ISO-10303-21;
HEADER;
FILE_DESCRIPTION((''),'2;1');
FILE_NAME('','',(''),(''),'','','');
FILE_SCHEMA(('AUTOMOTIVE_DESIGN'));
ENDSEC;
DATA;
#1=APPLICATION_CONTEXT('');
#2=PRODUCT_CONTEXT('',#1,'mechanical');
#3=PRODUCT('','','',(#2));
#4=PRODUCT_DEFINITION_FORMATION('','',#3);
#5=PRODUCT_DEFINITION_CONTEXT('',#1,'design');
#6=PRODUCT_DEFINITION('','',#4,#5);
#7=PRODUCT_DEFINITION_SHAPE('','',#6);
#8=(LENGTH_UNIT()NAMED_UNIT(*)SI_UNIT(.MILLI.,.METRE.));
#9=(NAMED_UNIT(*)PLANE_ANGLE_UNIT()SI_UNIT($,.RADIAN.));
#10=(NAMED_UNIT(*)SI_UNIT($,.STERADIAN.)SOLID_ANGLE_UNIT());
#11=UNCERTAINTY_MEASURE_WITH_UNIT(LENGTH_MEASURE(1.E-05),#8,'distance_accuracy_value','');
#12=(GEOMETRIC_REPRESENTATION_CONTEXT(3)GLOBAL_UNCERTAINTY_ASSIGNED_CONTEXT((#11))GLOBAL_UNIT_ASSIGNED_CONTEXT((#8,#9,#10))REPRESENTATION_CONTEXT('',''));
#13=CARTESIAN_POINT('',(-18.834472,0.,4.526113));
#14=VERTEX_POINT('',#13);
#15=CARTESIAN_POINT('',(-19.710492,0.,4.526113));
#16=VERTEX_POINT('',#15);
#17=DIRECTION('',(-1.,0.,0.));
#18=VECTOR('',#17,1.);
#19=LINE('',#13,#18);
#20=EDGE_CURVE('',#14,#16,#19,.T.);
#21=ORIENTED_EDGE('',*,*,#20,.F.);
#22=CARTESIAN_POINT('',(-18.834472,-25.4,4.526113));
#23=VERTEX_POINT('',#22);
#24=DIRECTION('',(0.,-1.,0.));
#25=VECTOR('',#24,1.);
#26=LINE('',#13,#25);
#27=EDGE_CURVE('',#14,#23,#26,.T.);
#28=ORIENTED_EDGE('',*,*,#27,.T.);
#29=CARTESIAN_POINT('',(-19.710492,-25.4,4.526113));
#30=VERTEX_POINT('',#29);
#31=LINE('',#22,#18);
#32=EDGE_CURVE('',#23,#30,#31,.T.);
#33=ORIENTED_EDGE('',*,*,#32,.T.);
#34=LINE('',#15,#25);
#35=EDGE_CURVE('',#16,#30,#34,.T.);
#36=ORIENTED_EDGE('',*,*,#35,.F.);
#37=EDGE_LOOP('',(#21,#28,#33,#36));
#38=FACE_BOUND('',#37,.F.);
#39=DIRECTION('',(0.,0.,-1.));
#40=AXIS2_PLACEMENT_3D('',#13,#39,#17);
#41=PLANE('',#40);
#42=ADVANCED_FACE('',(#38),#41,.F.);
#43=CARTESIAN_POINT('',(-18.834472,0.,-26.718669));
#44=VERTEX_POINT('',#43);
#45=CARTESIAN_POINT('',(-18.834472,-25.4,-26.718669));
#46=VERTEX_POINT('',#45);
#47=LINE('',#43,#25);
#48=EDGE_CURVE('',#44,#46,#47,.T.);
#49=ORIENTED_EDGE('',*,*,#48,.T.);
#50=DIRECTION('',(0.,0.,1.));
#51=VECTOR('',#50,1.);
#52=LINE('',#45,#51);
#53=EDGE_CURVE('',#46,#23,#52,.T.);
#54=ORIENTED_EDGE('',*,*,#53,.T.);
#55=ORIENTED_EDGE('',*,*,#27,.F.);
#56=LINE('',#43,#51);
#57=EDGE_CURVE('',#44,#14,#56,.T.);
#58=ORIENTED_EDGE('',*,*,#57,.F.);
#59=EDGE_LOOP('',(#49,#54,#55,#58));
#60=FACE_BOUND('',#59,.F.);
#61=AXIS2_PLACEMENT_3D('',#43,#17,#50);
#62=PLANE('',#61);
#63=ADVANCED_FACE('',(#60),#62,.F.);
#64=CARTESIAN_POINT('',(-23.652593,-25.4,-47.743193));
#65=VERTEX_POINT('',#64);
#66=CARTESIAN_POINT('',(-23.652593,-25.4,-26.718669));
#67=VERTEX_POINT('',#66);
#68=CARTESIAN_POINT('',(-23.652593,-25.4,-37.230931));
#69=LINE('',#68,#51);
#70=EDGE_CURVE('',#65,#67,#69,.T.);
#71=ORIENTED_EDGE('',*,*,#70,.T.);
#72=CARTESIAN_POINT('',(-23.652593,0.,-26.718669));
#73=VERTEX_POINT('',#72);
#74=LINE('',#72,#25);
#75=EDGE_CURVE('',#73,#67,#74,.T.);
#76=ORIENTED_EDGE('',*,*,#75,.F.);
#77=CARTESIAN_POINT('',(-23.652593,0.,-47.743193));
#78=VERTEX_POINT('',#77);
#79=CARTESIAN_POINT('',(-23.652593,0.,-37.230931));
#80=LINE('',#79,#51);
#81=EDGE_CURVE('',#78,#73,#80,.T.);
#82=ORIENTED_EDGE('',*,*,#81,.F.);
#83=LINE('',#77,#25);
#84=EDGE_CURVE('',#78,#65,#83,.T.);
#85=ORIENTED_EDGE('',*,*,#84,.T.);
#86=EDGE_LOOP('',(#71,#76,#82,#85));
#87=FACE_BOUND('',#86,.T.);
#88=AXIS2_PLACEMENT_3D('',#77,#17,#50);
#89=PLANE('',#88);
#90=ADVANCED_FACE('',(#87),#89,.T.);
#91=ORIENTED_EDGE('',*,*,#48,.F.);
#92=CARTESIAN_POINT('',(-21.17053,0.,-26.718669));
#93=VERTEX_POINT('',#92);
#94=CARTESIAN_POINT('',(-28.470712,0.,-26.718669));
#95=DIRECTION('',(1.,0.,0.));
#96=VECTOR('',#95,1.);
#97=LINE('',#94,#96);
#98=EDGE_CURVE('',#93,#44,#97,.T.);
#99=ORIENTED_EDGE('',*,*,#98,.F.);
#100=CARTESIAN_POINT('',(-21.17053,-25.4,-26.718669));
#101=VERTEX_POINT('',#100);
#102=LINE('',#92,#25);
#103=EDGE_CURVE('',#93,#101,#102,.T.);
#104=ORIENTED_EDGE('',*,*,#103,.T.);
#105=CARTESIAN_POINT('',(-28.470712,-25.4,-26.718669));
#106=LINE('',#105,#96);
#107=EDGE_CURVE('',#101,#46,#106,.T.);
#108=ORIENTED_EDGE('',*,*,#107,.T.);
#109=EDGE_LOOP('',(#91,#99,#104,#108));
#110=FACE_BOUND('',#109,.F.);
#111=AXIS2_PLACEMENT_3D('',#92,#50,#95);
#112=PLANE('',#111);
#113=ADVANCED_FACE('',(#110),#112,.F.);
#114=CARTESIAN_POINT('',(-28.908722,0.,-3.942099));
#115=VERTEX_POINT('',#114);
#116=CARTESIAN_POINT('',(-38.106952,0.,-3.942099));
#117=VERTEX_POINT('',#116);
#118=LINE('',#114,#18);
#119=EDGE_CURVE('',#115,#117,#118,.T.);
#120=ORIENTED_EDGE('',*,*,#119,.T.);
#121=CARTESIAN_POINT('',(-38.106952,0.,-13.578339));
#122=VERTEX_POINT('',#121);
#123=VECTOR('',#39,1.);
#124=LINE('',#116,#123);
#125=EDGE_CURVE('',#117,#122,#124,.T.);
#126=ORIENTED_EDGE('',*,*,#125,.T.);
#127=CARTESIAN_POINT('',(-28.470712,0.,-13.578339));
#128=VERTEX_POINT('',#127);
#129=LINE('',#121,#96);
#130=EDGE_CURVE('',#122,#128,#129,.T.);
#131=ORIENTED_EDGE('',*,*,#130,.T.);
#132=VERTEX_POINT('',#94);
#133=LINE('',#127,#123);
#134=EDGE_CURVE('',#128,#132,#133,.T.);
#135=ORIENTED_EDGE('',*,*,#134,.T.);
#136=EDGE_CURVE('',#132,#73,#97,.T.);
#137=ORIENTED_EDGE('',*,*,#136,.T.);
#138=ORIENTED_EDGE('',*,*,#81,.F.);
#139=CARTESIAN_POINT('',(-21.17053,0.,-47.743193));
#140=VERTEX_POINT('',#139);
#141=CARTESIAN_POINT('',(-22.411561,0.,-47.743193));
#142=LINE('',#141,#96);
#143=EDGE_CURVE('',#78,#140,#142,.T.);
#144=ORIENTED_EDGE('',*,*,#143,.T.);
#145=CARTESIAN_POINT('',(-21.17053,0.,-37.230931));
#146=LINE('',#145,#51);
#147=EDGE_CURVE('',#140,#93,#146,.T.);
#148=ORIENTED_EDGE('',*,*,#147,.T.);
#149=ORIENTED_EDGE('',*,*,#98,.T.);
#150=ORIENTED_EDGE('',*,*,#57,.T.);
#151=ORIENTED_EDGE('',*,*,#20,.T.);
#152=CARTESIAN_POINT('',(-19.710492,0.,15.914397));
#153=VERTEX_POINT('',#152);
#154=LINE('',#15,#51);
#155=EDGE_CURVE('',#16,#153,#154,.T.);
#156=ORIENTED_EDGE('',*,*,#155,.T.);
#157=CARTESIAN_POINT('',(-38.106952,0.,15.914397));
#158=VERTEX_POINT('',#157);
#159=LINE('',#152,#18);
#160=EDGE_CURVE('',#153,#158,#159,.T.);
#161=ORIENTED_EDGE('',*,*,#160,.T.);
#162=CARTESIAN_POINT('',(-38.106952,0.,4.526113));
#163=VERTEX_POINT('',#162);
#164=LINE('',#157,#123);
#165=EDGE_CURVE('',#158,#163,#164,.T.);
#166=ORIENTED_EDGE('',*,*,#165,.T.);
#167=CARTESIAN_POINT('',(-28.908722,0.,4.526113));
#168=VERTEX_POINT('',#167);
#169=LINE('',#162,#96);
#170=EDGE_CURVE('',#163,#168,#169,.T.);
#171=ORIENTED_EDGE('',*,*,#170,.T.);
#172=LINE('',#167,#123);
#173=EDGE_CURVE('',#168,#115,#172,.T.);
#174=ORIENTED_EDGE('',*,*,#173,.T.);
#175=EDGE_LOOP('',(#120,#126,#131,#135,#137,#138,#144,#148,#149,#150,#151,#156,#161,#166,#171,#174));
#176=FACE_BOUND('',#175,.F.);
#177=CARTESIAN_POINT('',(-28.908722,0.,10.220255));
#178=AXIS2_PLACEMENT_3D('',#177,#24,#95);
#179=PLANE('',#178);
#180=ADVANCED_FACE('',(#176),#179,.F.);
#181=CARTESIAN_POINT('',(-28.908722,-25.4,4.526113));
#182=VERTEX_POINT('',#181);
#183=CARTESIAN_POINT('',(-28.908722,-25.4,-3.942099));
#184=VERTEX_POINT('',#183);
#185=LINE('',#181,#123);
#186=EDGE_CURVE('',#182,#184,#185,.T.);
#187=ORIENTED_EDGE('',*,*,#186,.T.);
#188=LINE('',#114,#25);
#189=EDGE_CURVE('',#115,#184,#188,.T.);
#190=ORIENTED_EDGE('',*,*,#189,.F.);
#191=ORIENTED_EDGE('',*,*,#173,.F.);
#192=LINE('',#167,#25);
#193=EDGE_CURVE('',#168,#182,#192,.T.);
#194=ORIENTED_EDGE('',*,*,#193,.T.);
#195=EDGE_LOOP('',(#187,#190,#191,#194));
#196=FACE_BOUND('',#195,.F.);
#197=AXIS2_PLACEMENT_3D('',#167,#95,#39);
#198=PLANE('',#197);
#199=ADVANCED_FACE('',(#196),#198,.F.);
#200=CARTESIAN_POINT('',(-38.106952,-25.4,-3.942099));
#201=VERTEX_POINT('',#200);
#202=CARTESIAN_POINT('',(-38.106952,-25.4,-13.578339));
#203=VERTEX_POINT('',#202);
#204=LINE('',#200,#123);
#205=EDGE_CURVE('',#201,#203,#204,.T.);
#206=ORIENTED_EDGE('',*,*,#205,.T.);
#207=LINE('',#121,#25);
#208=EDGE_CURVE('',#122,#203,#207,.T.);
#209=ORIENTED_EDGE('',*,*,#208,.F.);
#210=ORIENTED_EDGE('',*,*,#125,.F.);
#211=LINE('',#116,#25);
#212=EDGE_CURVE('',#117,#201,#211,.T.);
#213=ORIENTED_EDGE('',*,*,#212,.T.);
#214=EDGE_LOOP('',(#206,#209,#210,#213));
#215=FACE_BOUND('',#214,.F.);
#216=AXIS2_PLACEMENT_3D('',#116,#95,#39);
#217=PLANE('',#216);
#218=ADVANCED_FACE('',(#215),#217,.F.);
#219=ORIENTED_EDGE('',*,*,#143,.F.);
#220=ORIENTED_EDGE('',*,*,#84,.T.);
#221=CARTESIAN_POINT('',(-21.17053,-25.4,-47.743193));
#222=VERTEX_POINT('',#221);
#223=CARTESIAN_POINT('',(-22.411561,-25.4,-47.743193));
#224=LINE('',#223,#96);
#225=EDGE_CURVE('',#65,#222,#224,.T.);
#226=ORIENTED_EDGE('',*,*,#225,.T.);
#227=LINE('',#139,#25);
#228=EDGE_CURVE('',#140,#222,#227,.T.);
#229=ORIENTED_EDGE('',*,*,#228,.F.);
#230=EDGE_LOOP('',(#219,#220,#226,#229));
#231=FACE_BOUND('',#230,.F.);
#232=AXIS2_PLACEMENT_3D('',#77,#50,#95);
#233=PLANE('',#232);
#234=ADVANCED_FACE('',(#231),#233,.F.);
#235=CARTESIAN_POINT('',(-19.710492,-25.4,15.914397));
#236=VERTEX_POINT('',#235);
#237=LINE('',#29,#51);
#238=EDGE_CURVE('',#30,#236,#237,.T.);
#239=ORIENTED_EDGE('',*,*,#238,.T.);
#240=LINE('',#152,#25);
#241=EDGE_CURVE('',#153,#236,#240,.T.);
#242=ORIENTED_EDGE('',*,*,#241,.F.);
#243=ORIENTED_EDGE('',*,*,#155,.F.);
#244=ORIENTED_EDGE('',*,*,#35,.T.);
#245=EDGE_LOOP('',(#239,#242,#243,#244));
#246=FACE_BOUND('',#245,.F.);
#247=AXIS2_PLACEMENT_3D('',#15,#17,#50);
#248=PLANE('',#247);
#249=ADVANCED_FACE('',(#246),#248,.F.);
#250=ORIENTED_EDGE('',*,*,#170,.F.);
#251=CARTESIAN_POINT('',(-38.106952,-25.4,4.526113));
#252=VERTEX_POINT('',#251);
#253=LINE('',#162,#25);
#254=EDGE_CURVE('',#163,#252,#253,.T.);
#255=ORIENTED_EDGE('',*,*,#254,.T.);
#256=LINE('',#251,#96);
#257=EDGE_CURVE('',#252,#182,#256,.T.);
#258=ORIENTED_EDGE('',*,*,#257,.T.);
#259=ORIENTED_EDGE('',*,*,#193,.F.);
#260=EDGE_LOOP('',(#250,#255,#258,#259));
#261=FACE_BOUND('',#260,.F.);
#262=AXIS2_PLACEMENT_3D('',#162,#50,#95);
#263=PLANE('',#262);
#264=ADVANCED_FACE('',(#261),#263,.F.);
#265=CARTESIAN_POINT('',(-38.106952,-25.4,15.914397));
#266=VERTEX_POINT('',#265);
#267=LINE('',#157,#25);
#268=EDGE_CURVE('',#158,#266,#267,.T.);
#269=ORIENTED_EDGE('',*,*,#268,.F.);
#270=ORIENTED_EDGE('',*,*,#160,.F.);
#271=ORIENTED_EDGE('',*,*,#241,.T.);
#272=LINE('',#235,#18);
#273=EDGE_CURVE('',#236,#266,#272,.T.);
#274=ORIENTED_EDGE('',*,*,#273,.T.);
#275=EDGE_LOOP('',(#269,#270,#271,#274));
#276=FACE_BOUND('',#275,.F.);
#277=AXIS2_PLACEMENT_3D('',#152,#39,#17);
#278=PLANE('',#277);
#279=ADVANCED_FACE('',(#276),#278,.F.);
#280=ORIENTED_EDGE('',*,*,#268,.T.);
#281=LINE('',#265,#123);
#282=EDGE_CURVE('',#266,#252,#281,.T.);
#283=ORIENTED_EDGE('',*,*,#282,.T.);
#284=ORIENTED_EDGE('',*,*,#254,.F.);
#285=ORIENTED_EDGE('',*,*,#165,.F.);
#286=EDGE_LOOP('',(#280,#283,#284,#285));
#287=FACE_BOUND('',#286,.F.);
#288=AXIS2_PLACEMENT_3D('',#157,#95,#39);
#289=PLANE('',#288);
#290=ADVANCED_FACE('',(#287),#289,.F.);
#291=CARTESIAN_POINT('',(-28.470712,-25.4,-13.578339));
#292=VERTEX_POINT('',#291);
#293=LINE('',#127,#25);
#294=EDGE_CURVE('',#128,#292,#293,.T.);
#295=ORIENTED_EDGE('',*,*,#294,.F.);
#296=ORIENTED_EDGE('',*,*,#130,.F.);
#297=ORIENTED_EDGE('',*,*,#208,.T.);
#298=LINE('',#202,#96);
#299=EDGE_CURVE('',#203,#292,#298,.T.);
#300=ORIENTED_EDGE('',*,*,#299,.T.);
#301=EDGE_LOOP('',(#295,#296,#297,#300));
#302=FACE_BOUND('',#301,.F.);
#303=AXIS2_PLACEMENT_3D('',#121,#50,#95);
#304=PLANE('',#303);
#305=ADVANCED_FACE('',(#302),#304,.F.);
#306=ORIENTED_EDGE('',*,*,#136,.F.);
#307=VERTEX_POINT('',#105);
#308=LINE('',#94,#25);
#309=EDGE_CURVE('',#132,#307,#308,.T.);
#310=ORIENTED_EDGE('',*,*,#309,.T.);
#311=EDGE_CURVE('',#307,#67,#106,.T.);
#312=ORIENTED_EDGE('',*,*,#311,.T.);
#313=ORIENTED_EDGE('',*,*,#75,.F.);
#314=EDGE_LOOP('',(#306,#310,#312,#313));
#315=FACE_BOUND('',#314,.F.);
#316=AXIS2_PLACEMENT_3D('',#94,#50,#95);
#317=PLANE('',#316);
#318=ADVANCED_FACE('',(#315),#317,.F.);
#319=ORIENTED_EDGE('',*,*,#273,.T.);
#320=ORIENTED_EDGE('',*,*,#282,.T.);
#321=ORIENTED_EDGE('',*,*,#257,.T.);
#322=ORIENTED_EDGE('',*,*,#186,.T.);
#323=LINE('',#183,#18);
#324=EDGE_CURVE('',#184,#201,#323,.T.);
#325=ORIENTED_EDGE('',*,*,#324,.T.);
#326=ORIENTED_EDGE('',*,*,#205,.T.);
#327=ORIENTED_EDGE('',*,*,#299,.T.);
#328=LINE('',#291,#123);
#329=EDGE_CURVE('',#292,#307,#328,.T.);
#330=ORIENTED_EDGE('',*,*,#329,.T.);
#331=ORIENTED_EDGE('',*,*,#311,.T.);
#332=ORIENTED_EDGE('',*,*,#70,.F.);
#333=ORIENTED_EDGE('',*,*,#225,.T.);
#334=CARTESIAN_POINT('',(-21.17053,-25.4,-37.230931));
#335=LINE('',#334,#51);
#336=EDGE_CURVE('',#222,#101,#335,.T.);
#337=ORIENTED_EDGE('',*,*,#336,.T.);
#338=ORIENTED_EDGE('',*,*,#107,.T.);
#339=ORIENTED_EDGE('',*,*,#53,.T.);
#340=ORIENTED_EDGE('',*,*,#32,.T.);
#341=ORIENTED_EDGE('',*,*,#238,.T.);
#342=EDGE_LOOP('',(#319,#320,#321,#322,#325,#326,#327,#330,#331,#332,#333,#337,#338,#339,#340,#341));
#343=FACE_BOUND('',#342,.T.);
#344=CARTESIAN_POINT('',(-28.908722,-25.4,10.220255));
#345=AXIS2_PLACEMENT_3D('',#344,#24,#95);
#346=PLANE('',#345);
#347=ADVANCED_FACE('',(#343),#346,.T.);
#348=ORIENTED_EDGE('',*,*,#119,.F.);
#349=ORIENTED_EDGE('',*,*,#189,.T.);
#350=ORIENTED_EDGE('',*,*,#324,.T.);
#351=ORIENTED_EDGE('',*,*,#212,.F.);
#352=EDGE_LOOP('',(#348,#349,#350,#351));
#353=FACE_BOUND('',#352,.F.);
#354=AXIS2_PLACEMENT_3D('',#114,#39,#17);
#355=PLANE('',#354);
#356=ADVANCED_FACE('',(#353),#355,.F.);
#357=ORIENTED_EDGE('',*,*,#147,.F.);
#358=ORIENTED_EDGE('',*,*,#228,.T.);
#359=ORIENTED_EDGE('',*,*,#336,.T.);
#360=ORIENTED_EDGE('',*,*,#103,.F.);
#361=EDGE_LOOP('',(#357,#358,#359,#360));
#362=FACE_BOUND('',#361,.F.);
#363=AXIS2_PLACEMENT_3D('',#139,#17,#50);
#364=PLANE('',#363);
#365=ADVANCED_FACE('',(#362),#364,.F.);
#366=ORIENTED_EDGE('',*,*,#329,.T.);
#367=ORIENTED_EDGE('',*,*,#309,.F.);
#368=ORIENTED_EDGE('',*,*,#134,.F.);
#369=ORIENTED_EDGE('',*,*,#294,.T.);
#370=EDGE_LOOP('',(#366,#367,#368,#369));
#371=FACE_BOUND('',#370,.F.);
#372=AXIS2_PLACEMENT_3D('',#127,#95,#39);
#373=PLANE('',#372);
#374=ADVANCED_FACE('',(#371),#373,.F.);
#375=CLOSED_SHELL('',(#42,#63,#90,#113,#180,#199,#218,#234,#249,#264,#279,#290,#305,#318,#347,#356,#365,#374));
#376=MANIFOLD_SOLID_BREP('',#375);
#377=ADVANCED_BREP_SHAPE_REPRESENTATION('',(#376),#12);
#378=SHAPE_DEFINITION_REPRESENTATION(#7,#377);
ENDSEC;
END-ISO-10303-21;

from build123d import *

# Parameters (mm, degrees)
F0_W     = 2.482063
F0_H     = 21.024525
F1_DEPTH = 25.4


with BuildPart() as f1:
    # F0 (on Front) → F1 (new body)
    with BuildSketch(Plane.XZ):
        Polygon((-19.710492, 4.526113), (-19.710492, 15.914397), (-38.106952, 15.914397), (-38.106952, 4.526113), (-28.908722, 4.526113), align=None)
        Polygon((-18.834472, 4.526113), (-19.710492, 4.526113), (-28.908722, 4.526113), (-28.908722, -3.942099), (-18.834472, -3.942099), align=None)
        Polygon((-18.834472, -3.942099), (-28.908722, -3.942099), (-38.106952, -3.942099), (-38.106952, -13.578339), (-28.470712, -13.578339), (-18.834472, -13.578339), align=None)
        Polygon((-18.834472, -26.718669), (-18.834472, -13.578339), (-28.470712, -13.578339), (-28.470712, -26.718669), (-23.652592, -26.718669), (-21.170529, -26.718669), align=None)
        with Locations((-22.411561, -37.230931)):
            Rectangle(F0_W, F0_H)
    extrude(amount=F1_DEPTH)


solid = f1.part
